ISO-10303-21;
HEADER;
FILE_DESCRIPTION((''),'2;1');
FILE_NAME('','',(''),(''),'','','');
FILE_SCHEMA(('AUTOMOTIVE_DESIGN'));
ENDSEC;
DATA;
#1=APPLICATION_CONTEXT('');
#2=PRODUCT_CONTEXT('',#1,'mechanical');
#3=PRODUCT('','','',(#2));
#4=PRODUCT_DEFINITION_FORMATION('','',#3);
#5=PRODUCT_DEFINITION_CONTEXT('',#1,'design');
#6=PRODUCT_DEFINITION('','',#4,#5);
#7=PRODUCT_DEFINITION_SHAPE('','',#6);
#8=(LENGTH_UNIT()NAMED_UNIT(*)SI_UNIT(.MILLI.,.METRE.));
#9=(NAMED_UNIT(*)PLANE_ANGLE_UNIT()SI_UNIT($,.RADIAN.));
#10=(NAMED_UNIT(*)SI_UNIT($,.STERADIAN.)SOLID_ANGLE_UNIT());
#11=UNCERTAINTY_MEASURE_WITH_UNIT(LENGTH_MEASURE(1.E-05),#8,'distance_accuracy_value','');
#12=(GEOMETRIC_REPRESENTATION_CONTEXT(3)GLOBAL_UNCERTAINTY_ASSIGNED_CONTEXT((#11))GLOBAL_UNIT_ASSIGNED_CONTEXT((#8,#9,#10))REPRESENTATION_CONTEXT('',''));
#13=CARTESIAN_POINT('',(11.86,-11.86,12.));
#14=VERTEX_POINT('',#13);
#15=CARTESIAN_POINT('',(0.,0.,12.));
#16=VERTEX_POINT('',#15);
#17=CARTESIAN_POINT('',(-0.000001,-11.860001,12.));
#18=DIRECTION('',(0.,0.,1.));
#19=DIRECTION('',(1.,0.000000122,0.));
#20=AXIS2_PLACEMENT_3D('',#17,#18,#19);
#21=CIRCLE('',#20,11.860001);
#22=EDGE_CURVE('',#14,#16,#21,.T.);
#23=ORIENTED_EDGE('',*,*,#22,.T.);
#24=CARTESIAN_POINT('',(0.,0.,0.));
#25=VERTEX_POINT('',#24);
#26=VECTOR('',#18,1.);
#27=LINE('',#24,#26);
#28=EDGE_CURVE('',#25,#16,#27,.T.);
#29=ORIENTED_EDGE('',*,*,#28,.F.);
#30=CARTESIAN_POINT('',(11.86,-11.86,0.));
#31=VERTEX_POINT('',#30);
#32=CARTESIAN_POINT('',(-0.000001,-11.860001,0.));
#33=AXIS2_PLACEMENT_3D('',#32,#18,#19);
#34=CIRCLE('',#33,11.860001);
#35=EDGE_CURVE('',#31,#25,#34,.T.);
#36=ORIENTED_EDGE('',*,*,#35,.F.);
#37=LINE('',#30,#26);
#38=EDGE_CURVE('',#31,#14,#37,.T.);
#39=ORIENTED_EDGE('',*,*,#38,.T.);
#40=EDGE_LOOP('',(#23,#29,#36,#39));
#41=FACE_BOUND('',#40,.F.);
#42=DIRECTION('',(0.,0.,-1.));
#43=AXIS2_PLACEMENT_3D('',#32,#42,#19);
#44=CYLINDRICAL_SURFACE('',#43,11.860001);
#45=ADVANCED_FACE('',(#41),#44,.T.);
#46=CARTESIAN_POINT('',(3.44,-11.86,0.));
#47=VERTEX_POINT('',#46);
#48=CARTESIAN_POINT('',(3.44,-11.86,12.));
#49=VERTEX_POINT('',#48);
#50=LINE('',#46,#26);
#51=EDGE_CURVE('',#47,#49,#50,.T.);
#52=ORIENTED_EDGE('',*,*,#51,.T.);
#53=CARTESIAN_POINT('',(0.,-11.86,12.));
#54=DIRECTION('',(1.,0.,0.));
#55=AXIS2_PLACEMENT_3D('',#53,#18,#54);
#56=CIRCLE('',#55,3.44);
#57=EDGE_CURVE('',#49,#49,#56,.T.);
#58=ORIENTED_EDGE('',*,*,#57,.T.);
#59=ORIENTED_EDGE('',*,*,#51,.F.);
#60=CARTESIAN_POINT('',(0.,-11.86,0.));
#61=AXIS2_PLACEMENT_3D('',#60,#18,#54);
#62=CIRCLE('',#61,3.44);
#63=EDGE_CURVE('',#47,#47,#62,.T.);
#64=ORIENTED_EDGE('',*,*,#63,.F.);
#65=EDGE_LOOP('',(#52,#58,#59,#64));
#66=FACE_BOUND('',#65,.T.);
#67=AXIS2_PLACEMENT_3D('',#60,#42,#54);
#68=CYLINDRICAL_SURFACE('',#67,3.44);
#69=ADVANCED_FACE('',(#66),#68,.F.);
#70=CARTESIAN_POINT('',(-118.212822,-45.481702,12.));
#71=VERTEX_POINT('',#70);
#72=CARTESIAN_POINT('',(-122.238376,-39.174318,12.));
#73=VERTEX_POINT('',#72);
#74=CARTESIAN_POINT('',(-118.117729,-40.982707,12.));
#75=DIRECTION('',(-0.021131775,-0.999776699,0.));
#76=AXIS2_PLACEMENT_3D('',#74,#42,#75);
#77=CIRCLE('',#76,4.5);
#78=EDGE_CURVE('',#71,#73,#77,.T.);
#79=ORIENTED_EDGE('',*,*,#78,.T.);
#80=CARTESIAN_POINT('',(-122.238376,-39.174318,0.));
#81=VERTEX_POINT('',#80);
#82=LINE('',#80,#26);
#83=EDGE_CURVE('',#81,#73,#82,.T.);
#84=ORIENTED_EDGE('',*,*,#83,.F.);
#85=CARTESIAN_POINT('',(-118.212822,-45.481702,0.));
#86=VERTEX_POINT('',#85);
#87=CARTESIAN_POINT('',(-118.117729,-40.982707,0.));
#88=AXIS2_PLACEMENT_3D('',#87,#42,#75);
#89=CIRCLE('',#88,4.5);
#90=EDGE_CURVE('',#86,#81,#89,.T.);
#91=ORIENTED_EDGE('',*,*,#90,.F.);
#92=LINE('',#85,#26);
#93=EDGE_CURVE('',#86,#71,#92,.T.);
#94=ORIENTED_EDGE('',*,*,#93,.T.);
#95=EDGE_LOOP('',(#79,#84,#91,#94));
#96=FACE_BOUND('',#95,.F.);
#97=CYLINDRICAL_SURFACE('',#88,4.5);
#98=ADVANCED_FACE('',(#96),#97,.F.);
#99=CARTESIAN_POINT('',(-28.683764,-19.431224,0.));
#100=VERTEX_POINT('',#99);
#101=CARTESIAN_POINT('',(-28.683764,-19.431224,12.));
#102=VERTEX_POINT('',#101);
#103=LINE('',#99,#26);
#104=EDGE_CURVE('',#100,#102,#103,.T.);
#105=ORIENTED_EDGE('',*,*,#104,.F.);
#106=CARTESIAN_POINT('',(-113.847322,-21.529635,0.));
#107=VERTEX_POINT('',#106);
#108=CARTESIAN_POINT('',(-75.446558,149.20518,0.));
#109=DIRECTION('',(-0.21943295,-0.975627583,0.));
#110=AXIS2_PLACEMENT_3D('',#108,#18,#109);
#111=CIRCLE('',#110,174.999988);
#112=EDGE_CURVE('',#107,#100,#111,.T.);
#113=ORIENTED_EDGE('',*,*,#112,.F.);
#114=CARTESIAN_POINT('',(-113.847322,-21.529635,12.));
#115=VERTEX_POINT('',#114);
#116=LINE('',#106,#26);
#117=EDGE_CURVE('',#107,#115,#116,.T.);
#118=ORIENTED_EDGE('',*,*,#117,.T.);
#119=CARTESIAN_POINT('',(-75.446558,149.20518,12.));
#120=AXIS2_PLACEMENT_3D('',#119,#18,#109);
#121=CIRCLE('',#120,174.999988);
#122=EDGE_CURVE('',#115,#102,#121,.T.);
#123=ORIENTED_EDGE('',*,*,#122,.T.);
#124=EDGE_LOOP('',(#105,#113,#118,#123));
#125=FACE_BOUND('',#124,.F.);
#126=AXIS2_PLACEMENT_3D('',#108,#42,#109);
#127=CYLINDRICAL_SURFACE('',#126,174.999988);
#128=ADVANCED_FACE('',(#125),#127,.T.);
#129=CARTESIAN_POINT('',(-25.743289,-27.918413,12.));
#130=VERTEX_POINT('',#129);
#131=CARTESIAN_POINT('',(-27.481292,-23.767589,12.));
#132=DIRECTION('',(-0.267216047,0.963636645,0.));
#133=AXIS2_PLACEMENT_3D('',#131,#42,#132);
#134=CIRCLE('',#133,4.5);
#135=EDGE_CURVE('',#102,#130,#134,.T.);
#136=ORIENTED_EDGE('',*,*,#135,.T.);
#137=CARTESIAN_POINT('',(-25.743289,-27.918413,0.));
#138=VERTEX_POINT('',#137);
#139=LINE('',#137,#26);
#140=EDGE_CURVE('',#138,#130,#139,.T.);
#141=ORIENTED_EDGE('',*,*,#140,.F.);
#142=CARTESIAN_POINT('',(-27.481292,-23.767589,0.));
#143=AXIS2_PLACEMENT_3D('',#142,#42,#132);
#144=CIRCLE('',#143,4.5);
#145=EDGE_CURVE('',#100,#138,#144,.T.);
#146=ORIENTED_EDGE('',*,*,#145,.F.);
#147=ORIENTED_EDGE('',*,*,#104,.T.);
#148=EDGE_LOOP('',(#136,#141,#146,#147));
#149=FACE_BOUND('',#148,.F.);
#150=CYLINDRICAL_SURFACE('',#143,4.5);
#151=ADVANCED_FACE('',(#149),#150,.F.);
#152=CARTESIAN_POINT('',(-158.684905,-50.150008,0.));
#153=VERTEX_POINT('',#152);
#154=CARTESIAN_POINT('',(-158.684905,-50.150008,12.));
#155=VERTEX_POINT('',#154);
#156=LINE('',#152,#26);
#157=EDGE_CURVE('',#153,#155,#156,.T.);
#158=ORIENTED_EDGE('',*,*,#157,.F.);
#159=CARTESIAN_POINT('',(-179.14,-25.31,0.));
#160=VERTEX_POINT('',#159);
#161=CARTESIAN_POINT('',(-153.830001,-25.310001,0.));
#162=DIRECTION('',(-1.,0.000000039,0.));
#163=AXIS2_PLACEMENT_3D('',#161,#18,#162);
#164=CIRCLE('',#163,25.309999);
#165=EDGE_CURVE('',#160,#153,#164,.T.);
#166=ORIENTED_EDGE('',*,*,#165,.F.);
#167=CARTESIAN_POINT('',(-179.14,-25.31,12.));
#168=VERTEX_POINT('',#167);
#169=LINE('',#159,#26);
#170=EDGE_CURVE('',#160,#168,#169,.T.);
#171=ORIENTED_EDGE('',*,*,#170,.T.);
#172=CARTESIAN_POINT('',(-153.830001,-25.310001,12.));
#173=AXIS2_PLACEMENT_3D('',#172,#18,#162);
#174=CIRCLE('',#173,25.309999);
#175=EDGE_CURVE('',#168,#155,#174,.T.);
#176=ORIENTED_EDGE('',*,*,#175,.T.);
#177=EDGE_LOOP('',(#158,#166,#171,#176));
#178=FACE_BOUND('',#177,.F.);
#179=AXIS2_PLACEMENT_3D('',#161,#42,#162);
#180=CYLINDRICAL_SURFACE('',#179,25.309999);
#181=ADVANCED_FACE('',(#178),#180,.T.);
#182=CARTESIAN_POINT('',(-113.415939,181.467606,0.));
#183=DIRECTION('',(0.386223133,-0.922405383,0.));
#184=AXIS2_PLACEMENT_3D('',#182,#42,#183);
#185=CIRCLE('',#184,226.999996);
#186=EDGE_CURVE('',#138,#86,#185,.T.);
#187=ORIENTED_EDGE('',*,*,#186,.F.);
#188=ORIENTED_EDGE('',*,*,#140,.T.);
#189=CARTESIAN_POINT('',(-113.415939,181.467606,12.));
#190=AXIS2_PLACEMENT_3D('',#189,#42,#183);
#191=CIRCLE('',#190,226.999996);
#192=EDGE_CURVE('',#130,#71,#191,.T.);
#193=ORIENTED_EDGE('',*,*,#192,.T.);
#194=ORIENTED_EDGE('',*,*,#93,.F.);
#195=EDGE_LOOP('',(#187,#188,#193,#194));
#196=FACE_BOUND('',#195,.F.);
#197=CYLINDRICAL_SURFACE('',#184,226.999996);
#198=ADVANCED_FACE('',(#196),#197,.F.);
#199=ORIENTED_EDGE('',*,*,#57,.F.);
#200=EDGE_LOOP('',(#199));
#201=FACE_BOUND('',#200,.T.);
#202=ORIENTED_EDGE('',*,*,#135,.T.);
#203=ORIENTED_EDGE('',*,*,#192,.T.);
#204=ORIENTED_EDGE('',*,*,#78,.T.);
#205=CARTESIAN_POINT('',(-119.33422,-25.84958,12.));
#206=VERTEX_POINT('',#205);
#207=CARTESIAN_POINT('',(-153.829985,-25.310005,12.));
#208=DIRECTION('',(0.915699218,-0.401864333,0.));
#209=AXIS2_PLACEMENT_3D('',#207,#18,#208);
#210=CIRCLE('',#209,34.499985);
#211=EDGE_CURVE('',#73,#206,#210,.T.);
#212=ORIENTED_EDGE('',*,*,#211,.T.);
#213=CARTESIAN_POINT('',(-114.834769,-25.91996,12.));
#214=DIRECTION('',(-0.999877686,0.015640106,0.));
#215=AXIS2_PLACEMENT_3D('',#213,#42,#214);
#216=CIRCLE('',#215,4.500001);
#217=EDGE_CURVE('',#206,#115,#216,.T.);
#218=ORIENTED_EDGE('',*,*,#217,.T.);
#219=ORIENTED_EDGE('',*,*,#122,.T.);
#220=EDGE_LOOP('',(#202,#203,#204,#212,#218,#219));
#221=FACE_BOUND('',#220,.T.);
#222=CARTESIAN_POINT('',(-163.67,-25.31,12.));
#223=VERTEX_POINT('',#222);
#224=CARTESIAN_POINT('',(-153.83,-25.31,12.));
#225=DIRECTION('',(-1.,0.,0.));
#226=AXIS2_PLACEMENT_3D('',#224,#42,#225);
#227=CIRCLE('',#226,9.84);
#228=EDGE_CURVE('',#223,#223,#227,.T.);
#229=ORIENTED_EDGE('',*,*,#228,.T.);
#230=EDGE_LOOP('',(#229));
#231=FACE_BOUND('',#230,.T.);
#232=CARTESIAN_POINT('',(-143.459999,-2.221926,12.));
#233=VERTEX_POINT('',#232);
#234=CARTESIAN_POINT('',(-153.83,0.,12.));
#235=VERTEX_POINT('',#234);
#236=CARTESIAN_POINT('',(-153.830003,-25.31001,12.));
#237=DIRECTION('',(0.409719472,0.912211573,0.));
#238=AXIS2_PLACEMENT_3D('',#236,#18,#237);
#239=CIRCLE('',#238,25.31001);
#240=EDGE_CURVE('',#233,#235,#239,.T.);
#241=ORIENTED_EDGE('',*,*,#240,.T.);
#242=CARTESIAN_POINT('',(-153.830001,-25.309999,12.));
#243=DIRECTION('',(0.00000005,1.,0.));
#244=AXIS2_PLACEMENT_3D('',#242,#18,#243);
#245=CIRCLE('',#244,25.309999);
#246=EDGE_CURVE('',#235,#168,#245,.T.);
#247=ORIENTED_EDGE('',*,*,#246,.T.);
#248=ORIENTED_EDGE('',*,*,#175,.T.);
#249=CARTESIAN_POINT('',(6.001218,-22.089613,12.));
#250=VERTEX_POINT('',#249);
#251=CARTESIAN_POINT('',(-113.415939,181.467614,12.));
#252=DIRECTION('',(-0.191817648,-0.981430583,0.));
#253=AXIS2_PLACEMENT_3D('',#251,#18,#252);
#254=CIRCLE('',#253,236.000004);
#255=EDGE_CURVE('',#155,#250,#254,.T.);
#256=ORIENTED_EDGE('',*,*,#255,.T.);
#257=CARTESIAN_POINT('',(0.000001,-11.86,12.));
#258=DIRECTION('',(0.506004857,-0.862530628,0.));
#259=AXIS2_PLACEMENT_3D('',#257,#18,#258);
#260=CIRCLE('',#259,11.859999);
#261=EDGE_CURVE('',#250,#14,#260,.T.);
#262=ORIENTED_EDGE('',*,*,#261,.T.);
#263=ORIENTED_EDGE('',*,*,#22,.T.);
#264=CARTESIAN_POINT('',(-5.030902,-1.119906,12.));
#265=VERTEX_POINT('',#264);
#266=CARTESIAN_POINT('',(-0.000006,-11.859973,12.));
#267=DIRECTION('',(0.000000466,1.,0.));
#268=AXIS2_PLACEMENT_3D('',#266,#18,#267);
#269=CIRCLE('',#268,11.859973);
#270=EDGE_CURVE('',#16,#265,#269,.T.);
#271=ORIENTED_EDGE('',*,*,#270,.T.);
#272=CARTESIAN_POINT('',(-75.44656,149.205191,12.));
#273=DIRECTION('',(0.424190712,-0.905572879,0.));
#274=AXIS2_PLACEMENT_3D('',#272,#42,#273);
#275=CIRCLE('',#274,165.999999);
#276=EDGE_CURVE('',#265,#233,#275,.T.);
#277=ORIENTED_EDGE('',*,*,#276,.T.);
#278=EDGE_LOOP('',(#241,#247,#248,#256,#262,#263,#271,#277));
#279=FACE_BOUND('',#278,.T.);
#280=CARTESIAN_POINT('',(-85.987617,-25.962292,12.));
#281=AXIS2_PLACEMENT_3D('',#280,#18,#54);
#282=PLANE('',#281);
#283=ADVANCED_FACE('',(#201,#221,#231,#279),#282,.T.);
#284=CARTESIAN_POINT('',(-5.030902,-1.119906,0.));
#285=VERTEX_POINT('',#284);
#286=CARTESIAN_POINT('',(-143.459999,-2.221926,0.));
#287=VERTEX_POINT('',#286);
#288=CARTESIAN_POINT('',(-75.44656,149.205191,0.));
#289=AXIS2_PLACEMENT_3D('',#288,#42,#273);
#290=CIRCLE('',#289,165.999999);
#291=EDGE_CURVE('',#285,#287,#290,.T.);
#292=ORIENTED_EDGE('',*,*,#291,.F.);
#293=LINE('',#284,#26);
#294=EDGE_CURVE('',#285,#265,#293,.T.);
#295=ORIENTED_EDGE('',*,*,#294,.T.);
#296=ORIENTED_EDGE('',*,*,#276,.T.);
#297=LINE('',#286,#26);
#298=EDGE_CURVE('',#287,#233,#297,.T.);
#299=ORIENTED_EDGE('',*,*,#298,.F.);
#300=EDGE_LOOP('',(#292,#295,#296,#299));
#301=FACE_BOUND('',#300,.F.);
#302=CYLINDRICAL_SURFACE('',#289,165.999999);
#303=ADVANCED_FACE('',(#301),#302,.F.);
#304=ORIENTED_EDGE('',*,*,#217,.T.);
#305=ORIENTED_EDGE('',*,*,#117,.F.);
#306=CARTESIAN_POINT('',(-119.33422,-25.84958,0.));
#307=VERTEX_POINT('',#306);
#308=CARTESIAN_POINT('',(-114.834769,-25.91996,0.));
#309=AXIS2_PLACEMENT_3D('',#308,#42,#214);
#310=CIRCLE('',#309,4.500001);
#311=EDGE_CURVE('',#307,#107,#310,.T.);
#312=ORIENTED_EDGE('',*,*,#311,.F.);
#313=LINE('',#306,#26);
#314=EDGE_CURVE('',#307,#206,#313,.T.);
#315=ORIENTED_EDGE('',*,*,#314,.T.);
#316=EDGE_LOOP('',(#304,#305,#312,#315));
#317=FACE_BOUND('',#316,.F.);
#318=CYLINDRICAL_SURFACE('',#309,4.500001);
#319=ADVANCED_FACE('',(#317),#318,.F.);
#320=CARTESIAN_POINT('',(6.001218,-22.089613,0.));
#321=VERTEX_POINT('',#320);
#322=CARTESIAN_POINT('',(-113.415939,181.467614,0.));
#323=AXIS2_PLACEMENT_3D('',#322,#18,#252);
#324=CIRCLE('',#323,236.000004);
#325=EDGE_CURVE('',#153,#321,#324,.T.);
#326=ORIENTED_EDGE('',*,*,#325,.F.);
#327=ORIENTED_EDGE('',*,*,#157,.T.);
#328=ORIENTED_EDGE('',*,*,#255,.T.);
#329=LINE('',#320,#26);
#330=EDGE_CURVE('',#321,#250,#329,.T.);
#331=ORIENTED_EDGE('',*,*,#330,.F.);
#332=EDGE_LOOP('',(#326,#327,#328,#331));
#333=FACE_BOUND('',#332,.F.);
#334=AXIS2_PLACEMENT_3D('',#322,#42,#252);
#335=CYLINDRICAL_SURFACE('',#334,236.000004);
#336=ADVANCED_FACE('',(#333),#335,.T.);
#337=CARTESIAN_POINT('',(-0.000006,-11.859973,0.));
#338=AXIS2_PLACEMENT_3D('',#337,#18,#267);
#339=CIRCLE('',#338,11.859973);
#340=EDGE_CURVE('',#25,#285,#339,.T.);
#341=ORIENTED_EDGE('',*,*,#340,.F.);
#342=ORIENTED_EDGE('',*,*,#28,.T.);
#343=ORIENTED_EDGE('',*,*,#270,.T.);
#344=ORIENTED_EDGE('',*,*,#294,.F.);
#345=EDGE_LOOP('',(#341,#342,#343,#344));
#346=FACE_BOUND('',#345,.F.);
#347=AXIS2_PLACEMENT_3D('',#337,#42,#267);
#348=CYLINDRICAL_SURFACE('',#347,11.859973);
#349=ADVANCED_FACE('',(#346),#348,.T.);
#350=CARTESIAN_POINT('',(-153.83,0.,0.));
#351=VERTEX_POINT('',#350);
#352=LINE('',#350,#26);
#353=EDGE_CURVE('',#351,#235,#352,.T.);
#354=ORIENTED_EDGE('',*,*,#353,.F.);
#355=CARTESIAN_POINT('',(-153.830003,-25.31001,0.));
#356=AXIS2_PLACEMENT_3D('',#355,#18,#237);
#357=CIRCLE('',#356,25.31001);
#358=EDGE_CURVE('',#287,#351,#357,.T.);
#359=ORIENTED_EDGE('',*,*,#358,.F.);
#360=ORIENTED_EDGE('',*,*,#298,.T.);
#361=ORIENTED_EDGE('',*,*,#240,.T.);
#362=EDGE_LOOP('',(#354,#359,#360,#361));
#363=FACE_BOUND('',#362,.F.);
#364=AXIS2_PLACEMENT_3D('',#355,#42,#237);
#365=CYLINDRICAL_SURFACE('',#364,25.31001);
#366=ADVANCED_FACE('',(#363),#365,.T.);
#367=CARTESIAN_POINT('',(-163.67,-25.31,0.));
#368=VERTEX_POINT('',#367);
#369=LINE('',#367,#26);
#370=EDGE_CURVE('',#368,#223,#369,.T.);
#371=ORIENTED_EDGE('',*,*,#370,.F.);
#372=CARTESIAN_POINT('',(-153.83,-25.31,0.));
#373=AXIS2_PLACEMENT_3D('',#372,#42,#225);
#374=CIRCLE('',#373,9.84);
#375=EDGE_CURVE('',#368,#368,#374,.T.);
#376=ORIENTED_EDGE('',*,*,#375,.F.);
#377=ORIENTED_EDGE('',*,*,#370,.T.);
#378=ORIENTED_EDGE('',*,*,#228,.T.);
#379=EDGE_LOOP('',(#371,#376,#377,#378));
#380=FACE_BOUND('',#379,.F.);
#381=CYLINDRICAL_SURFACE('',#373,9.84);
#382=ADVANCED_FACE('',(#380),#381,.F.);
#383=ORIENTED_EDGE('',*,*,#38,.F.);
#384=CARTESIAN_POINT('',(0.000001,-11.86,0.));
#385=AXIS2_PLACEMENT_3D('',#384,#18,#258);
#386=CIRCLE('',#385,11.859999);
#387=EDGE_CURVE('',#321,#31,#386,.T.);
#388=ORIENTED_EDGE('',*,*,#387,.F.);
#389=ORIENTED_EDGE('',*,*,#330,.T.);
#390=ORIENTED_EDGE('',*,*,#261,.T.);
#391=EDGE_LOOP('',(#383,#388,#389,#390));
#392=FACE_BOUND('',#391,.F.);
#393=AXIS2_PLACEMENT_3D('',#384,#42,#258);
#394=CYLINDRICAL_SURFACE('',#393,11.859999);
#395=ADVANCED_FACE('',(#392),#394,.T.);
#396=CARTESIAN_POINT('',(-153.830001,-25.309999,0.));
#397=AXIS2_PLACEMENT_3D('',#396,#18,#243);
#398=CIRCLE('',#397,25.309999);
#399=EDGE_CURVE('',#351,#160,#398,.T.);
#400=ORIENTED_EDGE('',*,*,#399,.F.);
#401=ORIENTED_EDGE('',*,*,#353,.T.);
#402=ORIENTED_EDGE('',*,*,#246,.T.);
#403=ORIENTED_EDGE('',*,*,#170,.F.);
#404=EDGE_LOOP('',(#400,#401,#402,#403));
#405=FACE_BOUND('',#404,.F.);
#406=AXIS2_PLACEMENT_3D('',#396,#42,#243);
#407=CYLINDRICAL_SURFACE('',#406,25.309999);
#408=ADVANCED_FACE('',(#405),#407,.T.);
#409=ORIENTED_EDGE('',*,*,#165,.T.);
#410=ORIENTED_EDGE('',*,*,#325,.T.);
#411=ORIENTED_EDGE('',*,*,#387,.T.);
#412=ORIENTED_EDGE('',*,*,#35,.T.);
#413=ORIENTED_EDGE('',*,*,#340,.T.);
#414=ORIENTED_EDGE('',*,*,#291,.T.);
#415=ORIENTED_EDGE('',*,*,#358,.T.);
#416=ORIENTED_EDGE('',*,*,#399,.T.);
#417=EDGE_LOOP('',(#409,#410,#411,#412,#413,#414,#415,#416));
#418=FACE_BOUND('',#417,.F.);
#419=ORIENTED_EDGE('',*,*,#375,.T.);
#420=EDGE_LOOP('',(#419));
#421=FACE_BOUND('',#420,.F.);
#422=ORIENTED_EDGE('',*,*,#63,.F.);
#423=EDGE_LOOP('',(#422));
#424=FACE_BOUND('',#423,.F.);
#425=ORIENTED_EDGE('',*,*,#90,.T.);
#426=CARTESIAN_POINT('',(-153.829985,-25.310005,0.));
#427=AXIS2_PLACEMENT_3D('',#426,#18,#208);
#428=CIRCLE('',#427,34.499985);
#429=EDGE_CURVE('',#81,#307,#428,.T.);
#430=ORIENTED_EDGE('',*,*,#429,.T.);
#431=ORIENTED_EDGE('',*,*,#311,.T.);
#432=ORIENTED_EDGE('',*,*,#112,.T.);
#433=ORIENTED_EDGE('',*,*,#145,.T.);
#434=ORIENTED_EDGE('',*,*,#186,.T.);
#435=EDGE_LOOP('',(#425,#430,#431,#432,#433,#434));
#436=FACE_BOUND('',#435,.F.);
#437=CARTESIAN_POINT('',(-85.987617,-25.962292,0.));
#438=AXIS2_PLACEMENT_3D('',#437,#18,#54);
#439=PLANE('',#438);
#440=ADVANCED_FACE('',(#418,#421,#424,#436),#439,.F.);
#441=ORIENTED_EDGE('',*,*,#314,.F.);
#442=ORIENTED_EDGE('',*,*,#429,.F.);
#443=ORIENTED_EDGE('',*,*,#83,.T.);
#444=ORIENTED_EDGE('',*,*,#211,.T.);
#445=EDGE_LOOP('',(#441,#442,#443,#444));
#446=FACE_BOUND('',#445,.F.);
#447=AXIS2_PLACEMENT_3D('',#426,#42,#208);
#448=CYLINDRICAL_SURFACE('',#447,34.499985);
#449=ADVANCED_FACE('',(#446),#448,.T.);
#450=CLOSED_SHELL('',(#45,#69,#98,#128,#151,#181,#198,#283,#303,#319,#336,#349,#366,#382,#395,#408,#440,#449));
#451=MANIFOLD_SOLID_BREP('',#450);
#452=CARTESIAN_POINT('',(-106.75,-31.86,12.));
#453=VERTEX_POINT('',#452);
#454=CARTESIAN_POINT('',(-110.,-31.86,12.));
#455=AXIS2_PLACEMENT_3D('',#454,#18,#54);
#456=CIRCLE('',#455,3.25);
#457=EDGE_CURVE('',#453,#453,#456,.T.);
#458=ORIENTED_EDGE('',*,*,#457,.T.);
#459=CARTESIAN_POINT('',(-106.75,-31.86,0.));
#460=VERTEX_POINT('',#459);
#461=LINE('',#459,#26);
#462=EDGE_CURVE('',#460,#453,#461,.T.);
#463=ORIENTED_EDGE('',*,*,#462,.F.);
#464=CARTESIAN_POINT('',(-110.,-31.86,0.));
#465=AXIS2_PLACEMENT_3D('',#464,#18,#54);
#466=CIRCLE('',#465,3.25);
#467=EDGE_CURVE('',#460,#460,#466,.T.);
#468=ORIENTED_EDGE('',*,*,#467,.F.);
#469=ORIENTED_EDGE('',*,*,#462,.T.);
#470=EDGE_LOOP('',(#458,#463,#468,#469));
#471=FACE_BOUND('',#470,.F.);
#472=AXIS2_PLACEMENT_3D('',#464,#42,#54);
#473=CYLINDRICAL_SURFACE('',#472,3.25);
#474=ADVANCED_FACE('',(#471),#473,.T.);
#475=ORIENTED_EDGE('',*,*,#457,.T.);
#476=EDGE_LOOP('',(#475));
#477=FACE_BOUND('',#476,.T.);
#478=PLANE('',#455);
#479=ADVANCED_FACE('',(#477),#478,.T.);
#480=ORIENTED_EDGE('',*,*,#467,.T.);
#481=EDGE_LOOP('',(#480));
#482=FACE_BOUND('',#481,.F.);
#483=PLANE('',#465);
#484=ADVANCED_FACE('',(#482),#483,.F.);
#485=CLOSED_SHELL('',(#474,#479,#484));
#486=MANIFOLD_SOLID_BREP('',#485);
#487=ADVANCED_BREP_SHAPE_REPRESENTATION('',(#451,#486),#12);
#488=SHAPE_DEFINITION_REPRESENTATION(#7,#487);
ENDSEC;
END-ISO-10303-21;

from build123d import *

# Parameters (mm, degrees)
F0_R     = 3.44
F0_R_2   = 3.25
F1_DEPTH = 12


with BuildPart() as f1:
    # F0 (on Top) → F1 (new body)
    with BuildSketch(Plane.XY):
        with BuildLine():
            ThreePointArc((-143.459999, -2.221926), (-148.527315, -0.561715), (-153.83, 0))
            ThreePointArc((-153.83, 0), (-171.726873, -7.413127), (-179.14, -25.31))
            ThreePointArc((-179.14, -25.31), (-173.368088, -41.399103), (-158.684905, -50.150008))
            ThreePointArc((-158.684905, -50.150008), (-73.775871, -51.179473), (6.001218, -22.089613))
            ThreePointArc((6.001218, -22.089613), (10.2916, -17.754283), (11.86, -11.86))
            ThreePointArc((11.86, -11.86), (8.386286, -3.473714), (0, 0))
            ThreePointArc((0, 0), (-2.577022, -0.283361), (-5.030902, -1.119906))
            ThreePointArc((-5.030902, -1.119906), (-74.125093, -16.789548), (-143.459999, -2.221926))
        make_face()
        with BuildLine():
            ThreePointArc((-119.33422, -25.84958), (-117.618476, -22.384287), (-113.847322, -21.529635))
            ThreePointArc((-113.847322, -21.529635), (-71.135906, -25.741709), (-28.683764, -19.431224))
            ThreePointArc((-28.683764, -19.431224), (-23.229258, -22.294427), (-25.743289, -27.918413))
            ThreePointArc((-25.743289, -27.918413), (-71.057758, -41.54536), (-118.212822, -45.481702))
            ThreePointArc((-118.212822, -45.481702), (-121.910998, -43.40368), (-122.238376, -39.174318))
            ThreePointArc((-122.238376, -39.174318), (-120.121345, -32.656877), (-119.33422, -25.84958))
        make_face(mode=Mode.SUBTRACT)
        with BuildLine():
            ThreePointArc((-143.99, -25.31), (-153.83, -35.15), (-163.67, -25.31))
            ThreePointArc((-163.67, -25.31), (-153.83, -15.47), (-143.99, -25.31))
        make_face(mode=Mode.SUBTRACT)
        with Locations((0, -11.86)):
            Circle(F0_R, mode=Mode.SUBTRACT)
        with Locations((-110, -31.86)):
            Circle(F0_R_2)
    extrude(amount=F1_DEPTH)


solid = f1.part
